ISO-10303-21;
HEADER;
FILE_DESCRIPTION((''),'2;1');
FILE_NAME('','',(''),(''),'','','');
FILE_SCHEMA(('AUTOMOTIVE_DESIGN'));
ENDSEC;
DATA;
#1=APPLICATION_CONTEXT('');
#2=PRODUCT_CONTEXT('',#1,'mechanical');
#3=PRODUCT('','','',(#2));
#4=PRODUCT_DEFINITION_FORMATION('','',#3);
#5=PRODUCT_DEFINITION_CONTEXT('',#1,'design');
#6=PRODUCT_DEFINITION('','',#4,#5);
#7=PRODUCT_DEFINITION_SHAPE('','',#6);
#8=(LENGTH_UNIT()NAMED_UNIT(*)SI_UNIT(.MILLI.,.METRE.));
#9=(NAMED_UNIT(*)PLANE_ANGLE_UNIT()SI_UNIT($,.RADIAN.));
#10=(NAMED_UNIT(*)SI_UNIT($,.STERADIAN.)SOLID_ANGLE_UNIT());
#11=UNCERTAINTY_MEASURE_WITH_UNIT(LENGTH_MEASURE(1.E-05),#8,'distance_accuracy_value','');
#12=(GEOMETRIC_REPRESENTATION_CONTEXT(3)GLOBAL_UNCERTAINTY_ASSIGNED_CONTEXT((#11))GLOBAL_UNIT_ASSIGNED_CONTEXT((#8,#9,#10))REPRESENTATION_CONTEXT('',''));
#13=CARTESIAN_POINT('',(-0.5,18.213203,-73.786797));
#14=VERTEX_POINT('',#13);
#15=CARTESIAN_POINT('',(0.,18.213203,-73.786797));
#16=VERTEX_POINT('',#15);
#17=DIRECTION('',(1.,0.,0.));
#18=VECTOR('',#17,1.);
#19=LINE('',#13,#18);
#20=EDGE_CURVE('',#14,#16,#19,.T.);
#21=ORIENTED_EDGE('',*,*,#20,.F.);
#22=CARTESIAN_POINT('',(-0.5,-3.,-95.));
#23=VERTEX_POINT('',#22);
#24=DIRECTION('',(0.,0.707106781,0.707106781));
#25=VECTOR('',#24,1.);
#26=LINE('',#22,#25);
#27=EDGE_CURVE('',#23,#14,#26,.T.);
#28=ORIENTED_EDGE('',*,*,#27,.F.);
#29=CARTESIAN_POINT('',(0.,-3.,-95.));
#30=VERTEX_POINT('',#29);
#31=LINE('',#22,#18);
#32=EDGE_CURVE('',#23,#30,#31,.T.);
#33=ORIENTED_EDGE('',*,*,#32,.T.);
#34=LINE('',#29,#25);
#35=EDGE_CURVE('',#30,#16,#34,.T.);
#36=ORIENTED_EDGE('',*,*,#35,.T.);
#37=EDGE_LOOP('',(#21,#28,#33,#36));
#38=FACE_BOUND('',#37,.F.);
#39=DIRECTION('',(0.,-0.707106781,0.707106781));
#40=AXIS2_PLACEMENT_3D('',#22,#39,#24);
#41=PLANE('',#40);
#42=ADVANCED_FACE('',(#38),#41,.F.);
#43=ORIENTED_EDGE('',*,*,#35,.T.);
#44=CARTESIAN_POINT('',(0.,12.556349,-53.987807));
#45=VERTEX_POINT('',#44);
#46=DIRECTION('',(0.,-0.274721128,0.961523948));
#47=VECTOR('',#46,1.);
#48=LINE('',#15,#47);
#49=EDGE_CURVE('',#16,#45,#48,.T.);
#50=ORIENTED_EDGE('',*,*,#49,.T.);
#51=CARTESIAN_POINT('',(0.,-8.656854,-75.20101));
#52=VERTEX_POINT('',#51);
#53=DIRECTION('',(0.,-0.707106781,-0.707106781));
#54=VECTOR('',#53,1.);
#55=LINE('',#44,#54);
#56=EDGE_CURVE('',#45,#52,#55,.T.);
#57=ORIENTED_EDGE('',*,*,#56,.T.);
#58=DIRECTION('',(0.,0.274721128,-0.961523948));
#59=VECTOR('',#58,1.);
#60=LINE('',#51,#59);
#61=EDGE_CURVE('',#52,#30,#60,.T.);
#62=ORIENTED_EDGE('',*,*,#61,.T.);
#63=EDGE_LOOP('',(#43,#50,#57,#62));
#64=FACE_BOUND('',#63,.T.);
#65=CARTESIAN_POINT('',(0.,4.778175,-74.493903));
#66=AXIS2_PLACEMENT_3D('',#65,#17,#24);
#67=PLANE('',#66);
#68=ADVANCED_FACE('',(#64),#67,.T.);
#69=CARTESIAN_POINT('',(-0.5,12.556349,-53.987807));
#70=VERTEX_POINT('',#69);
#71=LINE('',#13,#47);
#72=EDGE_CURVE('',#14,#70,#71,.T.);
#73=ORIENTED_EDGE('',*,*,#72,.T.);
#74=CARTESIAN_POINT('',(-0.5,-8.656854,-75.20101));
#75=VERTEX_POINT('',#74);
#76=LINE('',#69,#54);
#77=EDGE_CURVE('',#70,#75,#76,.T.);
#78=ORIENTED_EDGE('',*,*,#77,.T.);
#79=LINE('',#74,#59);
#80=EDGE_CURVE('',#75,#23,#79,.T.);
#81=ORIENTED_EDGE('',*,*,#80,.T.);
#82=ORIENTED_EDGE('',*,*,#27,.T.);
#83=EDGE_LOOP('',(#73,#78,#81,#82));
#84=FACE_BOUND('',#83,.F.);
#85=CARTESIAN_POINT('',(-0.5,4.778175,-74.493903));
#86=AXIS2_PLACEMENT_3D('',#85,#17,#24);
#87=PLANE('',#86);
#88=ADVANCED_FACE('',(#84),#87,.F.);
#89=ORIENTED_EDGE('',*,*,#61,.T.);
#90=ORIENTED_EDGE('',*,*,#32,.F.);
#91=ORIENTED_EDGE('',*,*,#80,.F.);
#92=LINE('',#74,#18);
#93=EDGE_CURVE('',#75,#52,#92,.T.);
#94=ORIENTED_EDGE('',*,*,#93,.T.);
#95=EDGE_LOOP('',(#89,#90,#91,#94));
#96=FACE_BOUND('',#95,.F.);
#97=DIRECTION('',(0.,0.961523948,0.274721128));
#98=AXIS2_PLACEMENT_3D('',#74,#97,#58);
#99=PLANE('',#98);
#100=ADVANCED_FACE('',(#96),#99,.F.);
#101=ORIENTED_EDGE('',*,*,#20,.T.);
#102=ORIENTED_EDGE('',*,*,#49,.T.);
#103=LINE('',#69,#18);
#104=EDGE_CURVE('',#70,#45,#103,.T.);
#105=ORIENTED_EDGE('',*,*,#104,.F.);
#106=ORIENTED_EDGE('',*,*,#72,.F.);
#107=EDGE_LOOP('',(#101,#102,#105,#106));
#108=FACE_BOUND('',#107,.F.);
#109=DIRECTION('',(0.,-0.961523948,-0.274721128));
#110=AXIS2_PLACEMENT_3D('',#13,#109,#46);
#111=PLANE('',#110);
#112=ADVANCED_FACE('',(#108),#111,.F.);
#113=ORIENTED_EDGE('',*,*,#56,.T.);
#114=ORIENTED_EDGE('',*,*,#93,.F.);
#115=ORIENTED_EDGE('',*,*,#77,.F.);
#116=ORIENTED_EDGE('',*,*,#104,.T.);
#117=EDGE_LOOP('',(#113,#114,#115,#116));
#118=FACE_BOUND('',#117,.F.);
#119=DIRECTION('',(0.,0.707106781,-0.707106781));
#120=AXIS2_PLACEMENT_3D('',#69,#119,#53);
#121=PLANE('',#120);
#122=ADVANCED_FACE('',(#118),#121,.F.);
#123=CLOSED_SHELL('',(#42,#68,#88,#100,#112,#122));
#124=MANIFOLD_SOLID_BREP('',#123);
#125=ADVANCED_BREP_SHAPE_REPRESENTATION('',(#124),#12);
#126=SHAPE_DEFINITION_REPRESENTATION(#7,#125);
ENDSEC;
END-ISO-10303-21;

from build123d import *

# Parameters (mm, degrees)
F1_DEPTH = 0.5
F4_ANGLE = -45


with BuildPart() as f1:
    # F0 (on Right) → F1 (new body)
    with BuildSketch(Plane.YZ):
        Polygon((-20, 0), (-30, -18), (0, -18), (10, 0), (0, 0), align=None)
    extrude(amount=F1_DEPTH)


with BuildPart() as f1_1:
    # F3: moved
    add(f1.part.moved(Location((-0.5, 30, -77))))


with BuildPart() as f1_2:
    # F4: moved
    add(f1_1.part.rotate(Axis((-0.25, 0, -95), (-1, 0, 0)), F4_ANGLE))


with BuildPart() as f1_3:
    # F5: moved
    add(f1_2.part.moved(Location((0, -3, 0))))


solid = f1_3.part
